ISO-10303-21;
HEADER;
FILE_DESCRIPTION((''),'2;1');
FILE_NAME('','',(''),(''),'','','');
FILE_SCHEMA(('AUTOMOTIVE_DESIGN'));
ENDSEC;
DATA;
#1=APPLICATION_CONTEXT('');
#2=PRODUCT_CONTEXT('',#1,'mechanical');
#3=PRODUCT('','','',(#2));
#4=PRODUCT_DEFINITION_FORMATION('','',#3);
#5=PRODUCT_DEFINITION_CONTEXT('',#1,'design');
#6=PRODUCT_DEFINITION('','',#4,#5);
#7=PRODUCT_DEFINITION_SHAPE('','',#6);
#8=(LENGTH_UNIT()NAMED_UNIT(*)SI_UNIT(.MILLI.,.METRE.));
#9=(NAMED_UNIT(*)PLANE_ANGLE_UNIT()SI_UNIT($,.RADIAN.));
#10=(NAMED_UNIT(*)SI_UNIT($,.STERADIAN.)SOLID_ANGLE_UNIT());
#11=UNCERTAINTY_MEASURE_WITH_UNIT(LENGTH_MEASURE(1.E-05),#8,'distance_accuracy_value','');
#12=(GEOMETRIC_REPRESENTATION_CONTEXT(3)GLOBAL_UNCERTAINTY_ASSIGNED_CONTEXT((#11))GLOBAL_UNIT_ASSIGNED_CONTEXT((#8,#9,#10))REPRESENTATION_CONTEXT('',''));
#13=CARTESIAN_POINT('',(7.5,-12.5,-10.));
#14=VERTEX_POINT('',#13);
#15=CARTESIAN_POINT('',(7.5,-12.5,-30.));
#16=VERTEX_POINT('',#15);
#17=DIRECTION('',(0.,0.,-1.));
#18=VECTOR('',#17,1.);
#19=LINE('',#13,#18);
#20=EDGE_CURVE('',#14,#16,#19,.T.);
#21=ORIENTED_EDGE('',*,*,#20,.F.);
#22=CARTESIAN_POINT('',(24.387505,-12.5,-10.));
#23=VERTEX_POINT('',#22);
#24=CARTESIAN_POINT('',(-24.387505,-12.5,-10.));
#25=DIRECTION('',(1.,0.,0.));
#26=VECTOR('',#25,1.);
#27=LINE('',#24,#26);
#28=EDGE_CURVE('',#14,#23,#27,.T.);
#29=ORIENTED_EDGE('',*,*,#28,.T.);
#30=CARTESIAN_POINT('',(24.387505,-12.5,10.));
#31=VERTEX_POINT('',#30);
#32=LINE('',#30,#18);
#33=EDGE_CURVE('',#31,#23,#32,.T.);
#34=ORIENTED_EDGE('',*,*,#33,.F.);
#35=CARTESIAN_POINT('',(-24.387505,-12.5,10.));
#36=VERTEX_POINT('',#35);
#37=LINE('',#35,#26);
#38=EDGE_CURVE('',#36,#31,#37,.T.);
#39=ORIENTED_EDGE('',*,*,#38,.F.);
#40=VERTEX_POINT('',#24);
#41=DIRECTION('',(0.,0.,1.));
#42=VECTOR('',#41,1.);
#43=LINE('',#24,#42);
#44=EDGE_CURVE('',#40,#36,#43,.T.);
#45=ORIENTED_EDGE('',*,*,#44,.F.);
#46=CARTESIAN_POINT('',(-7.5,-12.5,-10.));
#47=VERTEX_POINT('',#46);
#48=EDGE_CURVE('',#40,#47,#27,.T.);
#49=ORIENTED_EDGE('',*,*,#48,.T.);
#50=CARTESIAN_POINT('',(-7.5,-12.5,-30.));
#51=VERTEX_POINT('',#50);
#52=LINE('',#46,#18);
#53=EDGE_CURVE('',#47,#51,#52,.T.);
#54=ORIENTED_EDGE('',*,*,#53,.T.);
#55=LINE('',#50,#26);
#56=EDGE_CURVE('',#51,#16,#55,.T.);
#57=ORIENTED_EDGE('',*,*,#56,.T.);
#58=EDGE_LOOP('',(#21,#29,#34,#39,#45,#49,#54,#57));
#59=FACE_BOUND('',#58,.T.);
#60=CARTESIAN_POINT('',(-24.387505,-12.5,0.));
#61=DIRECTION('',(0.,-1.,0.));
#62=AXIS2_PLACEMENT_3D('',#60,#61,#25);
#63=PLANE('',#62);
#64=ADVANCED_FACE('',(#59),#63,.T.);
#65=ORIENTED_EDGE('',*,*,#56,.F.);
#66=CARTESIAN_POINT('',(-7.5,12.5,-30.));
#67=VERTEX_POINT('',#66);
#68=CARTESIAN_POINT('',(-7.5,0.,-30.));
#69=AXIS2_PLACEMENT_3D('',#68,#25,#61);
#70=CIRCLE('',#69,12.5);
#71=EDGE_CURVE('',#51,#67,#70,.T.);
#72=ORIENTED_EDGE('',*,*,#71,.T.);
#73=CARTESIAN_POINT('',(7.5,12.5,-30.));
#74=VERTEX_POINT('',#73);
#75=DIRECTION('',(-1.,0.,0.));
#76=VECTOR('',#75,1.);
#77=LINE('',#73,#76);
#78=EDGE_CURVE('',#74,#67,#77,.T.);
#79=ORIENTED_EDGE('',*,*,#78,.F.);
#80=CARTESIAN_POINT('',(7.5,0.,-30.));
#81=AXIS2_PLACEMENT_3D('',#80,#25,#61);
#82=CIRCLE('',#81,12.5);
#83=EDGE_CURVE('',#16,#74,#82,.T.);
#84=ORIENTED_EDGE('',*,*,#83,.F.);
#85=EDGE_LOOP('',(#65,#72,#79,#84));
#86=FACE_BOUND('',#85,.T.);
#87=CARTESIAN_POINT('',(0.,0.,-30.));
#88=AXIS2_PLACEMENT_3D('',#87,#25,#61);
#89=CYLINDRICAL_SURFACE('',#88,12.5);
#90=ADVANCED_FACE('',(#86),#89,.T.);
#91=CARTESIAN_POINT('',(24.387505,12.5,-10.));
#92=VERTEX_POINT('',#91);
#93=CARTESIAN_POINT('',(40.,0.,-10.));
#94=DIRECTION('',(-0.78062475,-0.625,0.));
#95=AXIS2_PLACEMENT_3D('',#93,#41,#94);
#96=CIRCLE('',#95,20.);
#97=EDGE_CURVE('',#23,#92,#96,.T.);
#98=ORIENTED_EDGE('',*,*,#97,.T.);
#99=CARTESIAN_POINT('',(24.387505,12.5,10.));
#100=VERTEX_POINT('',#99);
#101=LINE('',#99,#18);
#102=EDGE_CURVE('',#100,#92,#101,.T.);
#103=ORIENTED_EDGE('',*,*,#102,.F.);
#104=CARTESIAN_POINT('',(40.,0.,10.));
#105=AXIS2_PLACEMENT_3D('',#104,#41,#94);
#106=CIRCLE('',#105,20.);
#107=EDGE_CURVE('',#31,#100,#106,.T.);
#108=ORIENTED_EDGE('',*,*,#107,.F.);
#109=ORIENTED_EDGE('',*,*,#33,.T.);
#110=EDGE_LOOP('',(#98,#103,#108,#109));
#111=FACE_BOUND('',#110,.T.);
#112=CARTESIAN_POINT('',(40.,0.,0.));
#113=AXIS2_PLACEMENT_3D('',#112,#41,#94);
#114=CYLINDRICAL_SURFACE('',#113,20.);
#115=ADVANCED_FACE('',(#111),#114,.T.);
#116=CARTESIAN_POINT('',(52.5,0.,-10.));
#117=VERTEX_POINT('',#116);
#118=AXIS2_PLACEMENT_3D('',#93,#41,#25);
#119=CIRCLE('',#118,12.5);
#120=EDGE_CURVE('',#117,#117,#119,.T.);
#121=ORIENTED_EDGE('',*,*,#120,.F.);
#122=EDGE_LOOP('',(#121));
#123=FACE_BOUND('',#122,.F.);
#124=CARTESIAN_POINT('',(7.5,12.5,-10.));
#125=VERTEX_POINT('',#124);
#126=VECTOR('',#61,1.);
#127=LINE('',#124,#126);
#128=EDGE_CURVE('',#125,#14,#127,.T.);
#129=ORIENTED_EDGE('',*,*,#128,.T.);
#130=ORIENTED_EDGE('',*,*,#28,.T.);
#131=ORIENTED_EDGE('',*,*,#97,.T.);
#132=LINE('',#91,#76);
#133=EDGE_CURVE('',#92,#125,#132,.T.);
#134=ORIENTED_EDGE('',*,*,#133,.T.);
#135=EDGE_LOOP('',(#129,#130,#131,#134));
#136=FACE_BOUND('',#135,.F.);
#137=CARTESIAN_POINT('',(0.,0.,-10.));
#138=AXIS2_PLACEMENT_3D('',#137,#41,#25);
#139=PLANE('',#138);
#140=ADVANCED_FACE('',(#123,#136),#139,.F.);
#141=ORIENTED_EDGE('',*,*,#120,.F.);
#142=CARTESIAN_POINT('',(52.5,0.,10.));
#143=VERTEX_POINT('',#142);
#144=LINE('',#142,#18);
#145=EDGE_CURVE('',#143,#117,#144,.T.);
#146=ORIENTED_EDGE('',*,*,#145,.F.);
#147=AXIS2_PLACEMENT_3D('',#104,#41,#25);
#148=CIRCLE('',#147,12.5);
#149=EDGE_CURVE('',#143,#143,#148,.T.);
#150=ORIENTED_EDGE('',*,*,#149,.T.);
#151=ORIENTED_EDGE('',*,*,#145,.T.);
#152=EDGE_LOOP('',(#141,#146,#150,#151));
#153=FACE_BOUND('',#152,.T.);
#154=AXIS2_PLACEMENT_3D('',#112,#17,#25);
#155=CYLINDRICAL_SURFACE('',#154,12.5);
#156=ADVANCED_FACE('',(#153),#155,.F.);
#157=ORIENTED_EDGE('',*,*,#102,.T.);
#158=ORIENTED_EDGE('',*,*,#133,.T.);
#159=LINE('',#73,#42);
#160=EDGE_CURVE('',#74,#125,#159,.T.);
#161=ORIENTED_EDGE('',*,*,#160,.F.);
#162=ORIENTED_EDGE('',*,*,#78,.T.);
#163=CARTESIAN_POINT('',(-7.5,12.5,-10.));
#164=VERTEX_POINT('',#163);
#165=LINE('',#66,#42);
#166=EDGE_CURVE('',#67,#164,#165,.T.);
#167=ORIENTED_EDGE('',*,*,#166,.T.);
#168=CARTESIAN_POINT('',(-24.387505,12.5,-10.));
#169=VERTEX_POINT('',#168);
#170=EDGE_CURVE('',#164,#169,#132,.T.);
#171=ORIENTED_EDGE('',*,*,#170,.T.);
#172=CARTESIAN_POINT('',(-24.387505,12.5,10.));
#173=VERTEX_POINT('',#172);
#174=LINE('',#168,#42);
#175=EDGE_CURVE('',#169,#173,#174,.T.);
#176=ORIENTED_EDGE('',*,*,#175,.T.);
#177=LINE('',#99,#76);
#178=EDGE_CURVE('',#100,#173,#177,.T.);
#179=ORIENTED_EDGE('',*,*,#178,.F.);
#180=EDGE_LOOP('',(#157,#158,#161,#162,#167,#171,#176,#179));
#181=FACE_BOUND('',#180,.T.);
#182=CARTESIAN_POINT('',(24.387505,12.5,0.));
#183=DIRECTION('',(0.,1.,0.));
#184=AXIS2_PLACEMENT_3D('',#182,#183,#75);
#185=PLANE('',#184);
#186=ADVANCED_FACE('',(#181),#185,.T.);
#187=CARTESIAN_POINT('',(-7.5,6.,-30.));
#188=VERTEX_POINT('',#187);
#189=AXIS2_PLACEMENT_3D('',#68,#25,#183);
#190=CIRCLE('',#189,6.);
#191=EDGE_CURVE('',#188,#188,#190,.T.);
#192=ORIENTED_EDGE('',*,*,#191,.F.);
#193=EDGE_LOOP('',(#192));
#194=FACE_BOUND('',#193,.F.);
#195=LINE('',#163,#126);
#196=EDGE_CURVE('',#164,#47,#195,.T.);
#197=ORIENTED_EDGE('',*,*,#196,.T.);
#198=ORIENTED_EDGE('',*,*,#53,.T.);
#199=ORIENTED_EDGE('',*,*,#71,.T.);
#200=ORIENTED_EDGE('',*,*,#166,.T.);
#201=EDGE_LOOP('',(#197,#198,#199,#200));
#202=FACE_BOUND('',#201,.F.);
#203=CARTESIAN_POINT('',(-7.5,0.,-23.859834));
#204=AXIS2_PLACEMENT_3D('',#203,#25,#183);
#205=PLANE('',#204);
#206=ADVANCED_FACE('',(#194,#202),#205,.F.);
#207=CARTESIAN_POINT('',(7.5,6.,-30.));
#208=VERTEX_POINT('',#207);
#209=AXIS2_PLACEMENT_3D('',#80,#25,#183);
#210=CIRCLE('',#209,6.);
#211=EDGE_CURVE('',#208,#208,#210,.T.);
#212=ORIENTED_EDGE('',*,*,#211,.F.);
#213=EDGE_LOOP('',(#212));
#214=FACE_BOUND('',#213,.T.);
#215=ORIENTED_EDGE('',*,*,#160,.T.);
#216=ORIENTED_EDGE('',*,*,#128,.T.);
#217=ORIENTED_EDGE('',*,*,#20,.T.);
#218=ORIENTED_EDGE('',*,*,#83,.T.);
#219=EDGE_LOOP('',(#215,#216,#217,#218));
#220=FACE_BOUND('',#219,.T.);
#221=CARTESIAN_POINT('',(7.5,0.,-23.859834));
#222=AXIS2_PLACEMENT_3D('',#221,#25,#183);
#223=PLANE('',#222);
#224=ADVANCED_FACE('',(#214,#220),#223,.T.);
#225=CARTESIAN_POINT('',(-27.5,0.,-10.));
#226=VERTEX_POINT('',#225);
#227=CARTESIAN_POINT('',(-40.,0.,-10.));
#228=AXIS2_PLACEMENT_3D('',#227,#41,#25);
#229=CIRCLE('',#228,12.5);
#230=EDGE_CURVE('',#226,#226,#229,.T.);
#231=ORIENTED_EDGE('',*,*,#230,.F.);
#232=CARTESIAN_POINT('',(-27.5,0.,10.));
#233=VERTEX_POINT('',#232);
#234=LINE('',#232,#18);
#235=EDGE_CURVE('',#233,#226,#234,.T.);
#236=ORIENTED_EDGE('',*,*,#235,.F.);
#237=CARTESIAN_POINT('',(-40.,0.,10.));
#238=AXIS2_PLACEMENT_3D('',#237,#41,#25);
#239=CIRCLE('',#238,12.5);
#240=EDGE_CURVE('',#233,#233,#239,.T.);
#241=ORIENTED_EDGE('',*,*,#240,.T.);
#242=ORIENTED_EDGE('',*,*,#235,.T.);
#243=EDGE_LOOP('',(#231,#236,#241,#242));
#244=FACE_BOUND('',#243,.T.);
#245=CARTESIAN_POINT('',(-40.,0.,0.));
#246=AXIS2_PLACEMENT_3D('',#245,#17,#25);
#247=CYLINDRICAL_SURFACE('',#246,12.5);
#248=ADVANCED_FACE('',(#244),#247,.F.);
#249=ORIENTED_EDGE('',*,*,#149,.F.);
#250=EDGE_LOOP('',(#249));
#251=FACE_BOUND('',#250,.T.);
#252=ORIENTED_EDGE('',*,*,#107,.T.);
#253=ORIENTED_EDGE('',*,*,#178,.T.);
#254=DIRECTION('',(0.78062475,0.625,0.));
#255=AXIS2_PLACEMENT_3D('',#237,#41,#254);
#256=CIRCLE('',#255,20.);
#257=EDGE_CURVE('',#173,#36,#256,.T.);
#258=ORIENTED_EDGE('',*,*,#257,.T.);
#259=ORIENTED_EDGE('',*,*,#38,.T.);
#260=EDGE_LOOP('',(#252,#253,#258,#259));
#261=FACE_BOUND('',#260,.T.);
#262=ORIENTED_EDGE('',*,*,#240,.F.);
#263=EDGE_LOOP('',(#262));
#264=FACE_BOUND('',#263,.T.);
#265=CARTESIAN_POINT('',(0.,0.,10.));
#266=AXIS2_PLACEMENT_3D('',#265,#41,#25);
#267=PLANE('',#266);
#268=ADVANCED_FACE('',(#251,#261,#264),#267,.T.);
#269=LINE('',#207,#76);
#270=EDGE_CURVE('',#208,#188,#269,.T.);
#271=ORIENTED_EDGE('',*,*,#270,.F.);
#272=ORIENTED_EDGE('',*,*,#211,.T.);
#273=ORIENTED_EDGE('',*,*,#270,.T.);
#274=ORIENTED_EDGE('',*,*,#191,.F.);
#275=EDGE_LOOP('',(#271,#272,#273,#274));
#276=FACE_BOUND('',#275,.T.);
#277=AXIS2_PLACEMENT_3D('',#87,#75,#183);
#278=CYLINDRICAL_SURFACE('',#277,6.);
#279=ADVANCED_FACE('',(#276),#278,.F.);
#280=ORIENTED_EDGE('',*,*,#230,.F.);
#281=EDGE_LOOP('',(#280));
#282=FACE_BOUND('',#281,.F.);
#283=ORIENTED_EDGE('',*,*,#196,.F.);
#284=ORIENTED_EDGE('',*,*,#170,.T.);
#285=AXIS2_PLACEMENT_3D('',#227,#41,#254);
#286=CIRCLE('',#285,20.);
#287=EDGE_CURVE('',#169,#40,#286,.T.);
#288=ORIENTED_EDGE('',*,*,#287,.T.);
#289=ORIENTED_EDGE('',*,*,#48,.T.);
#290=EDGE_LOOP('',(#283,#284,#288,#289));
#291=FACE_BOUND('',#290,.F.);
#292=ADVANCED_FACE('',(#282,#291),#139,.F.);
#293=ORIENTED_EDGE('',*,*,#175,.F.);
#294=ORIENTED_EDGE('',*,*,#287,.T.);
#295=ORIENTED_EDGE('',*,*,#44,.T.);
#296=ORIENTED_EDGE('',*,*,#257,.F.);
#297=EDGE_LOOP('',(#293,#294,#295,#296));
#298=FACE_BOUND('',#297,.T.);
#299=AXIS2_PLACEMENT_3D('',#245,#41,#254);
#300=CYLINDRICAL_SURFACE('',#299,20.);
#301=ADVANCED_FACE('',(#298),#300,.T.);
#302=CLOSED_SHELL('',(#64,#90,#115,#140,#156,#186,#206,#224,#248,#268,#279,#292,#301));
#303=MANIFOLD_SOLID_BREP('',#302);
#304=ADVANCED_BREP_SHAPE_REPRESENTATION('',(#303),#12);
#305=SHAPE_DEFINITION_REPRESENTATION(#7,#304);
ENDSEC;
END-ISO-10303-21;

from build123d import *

# Parameters (mm, degrees)
F0_R     = 12.5
F1_DEPTH = 10
F2_R     = 6
F3_DEPTH = 7.5


with BuildPart() as f1:
    # F0 (on Top) → F1 (new body, symmetric)
    with BuildSketch(Plane.XY):
        with BuildLine():
            Line((24.387505, 12.5), (-24.387505, 12.5))
            ThreePointArc((-24.387505, 12.5), (-60, 0), (-24.387505, -12.5))
            Line((-24.387505, -12.5), (24.387505, -12.5))
            ThreePointArc((24.387505, -12.5), (60, 0), (24.387505, 12.5))
        make_face()
        with Locations((-40, 0)):
            Circle(F0_R, mode=Mode.SUBTRACT)
        with Locations((40, 0)):
            Circle(F0_R, mode=Mode.SUBTRACT)
    extrude(amount=F1_DEPTH, both=True)

    # F2 (on Right) → F3 (join, symmetric)
    with BuildSketch(Plane.YZ):
        with BuildLine():
            Line((12.5, -10), (-12.5, -10))
            Line((-12.5, -10), (-12.5, -30))
            ThreePointArc((-12.5, -30), (0, -42.5), (12.5, -30))
            Line((12.5, -30), (12.5, -10))
        make_face()
        with Locations((0, -30)):
            Circle(F2_R, mode=Mode.SUBTRACT)
    extrude(amount=F3_DEPTH, both=True)


solid = f1.part
